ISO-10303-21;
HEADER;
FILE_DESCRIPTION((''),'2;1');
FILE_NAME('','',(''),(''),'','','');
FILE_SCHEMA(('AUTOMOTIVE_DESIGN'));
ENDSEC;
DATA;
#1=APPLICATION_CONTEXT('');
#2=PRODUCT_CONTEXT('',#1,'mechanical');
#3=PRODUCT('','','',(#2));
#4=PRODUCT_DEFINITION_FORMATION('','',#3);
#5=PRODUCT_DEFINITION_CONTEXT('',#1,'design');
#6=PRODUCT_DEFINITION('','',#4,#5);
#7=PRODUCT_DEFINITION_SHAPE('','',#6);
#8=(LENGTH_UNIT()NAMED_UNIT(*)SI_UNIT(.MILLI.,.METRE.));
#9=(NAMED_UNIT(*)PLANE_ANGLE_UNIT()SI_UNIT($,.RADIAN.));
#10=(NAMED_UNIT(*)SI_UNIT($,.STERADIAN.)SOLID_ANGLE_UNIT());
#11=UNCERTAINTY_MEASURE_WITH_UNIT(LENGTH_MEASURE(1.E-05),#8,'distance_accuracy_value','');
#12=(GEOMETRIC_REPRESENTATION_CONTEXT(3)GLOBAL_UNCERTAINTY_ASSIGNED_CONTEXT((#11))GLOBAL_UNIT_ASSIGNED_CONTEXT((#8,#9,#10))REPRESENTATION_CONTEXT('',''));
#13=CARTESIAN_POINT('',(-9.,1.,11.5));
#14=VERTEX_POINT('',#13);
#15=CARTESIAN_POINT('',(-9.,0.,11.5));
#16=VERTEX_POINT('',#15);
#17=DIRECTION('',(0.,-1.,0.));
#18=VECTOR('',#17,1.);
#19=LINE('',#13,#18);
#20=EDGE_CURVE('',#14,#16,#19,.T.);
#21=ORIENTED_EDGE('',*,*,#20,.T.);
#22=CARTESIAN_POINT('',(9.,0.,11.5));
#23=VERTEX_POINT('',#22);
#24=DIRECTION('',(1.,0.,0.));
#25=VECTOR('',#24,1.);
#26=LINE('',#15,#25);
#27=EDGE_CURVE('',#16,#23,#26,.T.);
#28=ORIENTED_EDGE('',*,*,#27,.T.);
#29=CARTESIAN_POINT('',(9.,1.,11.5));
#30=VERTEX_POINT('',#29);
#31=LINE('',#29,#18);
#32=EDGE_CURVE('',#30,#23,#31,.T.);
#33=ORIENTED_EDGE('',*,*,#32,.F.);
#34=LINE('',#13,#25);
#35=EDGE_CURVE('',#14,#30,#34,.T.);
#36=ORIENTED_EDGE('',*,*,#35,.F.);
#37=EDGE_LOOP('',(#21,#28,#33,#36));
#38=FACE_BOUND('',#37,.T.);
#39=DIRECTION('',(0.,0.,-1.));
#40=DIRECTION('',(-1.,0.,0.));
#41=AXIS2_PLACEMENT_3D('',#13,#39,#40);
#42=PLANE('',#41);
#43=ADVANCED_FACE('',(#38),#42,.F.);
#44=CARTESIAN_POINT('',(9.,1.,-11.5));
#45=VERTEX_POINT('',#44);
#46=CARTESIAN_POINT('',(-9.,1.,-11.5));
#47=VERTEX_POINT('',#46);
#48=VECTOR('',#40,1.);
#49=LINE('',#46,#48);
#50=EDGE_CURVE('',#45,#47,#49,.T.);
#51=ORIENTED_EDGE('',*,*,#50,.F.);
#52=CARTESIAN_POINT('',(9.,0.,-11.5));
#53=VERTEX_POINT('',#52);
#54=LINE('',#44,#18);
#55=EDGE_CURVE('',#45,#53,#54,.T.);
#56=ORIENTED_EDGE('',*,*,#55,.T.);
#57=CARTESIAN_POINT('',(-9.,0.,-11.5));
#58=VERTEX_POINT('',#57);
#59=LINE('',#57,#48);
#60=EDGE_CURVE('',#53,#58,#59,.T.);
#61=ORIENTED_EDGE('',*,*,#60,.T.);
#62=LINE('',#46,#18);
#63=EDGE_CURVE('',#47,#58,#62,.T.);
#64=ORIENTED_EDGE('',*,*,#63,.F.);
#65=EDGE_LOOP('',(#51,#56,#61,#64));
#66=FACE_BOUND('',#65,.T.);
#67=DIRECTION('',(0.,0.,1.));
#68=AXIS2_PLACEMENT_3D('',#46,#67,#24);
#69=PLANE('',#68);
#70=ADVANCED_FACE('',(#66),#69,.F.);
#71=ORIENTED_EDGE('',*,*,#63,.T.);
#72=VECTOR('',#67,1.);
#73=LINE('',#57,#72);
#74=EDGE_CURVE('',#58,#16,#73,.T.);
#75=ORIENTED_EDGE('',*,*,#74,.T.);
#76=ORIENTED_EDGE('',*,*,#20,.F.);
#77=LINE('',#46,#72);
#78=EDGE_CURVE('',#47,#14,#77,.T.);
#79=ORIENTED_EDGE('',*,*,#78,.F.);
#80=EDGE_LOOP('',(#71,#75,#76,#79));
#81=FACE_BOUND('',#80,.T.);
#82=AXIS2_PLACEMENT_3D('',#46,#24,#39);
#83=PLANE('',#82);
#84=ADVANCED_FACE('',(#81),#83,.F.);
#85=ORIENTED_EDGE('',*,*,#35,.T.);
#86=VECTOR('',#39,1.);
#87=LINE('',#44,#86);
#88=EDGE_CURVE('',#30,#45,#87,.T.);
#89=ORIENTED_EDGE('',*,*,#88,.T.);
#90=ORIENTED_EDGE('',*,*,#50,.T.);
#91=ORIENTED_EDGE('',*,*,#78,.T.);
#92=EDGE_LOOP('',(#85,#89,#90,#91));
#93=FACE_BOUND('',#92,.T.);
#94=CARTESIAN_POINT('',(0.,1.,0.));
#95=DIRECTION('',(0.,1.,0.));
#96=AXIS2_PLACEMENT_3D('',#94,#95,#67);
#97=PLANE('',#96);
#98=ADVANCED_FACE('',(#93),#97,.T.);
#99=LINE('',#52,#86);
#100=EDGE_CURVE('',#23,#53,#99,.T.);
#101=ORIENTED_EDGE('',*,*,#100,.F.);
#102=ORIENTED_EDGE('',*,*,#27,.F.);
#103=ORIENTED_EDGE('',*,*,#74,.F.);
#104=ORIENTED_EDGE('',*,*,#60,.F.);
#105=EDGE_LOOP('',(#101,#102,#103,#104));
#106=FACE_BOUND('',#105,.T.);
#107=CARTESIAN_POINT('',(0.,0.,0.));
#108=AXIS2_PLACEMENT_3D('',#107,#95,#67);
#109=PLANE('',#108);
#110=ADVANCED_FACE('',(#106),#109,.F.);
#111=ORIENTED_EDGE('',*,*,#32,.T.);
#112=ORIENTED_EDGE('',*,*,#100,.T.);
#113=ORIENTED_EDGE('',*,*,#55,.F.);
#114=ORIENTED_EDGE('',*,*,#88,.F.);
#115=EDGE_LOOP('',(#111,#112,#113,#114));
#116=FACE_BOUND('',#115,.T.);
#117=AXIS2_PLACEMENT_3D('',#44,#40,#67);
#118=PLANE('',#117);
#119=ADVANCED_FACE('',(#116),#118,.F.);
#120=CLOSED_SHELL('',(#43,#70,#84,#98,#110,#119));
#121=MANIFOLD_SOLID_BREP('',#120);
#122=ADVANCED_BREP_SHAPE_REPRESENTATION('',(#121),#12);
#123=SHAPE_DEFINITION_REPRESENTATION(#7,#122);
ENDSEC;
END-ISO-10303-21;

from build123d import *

# Parameters (mm, degrees)
SKETCH_1_W      = 18
SKETCH_1_H      = 23
EXTRUDE_1_DEPTH = 1


with BuildPart() as part:
    # 草圖1 → 填料-伸長1 (new body)
    with BuildSketch(Plane(origin=(0, 0, 0), x_dir=(1, 0, 0), z_dir=(0, 1, 0))):
        Rectangle(SKETCH_1_W, SKETCH_1_H)
    extrude(amount=EXTRUDE_1_DEPTH)


solid = part.part
